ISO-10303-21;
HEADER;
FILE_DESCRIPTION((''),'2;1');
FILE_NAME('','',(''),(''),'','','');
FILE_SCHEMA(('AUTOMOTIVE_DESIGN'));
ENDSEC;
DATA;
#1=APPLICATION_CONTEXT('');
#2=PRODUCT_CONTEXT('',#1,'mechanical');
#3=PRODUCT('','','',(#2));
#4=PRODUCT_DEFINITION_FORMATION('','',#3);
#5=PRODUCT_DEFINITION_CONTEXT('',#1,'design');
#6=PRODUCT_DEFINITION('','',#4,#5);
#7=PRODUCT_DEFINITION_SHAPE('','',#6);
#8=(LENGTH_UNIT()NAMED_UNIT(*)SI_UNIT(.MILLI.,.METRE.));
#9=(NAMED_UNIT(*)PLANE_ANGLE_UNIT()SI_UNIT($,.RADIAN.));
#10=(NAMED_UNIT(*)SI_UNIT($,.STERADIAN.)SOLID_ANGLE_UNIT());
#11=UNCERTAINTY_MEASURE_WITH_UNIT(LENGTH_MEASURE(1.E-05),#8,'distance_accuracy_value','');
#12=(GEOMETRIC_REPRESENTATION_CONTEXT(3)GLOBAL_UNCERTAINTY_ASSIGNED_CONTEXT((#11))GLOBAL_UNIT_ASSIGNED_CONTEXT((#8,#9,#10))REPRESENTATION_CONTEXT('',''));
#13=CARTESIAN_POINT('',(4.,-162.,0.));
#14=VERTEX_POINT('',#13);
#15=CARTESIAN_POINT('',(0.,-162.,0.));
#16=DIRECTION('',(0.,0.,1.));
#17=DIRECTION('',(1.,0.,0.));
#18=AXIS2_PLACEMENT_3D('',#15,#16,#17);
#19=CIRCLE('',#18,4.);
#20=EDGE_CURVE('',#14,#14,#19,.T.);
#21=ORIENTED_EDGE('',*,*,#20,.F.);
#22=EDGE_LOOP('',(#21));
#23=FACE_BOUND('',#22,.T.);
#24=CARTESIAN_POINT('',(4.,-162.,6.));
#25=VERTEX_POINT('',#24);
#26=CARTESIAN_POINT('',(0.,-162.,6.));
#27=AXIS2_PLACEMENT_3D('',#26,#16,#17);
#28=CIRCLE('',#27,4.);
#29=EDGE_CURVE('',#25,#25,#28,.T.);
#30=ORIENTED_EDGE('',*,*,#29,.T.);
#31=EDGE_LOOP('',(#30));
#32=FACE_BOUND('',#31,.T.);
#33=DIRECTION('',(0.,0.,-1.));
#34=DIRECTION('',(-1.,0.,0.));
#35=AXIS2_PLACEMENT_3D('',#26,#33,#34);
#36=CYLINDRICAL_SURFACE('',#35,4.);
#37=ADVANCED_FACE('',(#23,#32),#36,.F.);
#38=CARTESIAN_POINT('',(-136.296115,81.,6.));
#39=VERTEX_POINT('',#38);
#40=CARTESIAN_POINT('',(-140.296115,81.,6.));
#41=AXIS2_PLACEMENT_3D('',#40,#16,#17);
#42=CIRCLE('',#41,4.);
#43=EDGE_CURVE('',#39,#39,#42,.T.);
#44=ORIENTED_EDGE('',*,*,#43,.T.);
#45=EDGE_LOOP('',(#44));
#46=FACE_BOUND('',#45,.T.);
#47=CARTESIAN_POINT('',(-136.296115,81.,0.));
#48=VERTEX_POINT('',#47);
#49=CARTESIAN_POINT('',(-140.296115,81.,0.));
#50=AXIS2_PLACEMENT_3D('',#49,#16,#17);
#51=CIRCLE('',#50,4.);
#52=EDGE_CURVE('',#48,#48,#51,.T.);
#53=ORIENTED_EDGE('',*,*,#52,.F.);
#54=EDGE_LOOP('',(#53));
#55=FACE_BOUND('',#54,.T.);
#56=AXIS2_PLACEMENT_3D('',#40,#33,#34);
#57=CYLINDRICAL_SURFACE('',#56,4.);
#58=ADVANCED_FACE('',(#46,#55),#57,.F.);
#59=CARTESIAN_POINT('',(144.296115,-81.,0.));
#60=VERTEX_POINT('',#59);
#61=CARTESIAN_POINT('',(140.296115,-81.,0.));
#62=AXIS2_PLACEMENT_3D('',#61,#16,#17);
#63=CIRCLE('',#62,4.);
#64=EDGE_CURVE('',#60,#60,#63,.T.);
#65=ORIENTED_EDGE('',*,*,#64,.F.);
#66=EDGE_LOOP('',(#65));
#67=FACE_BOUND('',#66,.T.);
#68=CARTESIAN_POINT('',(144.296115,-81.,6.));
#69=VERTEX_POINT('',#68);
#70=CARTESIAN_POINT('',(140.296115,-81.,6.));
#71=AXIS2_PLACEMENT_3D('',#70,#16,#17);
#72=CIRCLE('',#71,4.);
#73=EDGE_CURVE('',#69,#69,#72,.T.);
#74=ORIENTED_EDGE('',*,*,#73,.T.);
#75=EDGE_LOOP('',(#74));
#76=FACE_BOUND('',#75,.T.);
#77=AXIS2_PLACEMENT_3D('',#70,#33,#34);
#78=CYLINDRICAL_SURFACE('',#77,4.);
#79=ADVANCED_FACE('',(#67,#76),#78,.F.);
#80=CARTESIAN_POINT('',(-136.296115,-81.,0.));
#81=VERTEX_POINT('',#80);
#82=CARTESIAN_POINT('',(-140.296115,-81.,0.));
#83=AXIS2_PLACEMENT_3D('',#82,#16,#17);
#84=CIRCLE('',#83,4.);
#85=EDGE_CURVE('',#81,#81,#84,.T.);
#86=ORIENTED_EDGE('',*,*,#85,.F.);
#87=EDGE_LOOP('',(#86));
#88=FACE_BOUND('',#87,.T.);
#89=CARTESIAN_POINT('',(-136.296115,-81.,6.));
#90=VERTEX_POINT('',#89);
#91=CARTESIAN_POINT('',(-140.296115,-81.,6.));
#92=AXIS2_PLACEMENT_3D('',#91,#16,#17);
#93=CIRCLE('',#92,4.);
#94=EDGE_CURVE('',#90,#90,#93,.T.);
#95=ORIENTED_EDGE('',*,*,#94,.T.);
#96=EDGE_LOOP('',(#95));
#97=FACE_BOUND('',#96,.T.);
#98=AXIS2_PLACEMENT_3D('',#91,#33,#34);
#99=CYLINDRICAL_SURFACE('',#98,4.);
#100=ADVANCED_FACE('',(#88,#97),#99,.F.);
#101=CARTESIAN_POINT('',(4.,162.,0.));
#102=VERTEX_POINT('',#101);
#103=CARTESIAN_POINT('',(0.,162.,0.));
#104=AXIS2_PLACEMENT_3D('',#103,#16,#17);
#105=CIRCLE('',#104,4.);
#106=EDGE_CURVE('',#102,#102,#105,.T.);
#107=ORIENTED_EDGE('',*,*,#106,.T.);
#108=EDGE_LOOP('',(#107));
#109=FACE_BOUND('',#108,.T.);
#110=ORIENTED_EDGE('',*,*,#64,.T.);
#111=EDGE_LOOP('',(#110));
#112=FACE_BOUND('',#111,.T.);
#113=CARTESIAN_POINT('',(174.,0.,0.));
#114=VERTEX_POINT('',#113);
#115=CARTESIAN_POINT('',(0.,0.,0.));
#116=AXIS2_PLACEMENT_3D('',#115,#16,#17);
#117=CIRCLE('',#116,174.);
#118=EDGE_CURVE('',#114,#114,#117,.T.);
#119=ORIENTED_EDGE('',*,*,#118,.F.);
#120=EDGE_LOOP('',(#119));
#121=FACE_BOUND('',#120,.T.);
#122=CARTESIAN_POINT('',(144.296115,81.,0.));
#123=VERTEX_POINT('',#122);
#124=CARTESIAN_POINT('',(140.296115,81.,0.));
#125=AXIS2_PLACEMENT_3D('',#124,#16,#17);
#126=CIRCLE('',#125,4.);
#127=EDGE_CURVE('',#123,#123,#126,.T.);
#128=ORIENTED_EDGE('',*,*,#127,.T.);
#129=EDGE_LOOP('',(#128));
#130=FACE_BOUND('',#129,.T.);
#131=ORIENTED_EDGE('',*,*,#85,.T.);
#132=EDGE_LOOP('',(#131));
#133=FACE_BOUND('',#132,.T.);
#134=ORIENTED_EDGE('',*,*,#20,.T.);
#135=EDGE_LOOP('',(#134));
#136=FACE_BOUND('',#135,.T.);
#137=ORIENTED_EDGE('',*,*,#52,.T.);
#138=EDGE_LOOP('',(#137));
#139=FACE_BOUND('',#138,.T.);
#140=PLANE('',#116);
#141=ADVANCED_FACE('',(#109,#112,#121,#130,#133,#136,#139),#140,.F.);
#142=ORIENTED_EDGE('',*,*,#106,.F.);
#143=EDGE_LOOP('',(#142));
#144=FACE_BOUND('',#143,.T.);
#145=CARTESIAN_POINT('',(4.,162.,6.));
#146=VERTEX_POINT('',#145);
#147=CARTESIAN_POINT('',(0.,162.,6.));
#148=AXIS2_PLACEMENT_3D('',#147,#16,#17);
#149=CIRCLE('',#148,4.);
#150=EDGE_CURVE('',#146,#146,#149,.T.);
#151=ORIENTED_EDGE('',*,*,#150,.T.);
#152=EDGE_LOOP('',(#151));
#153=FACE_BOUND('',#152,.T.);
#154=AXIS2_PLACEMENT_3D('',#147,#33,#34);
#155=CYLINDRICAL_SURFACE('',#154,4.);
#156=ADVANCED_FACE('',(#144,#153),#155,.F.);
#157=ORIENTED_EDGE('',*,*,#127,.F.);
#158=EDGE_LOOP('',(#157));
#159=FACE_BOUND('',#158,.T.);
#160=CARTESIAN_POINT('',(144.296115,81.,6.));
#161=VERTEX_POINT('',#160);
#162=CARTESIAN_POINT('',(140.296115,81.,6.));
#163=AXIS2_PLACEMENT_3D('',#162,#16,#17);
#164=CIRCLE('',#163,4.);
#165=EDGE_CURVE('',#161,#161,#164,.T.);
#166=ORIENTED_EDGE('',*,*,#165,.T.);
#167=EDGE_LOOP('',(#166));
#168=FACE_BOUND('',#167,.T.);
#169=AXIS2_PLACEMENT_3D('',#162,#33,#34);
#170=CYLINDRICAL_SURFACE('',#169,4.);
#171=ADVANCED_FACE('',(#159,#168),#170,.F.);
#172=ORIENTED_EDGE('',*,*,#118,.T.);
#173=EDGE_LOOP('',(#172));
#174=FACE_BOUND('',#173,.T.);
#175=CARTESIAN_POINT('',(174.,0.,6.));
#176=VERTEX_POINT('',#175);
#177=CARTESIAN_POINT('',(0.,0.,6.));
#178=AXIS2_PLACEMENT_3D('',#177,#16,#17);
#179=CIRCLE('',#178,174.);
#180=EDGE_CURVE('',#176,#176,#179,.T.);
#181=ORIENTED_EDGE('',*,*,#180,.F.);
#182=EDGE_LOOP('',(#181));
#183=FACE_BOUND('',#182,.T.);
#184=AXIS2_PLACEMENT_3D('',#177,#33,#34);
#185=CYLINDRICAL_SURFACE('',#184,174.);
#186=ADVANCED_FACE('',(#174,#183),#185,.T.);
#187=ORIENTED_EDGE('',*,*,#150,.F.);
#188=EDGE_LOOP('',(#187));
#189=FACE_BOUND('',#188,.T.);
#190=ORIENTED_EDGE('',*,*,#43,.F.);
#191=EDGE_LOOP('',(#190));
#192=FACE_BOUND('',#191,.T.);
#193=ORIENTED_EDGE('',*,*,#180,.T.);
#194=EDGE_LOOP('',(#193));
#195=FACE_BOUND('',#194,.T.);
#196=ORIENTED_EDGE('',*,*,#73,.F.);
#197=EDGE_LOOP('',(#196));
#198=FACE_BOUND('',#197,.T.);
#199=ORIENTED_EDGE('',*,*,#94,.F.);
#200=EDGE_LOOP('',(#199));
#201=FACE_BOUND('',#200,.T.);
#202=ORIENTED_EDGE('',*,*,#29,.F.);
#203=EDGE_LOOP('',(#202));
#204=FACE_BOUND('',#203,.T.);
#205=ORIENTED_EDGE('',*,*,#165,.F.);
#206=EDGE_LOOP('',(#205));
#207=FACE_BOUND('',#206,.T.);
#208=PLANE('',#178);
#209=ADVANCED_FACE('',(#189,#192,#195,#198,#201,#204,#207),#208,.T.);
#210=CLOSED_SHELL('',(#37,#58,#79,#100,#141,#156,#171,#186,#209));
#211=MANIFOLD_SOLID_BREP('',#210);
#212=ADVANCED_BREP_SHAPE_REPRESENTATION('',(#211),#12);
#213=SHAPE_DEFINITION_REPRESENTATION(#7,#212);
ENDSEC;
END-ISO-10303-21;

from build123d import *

# Parameters (mm, degrees)
SKETCH1_R           = 174
SKETCH1_R_2         = 4
BOSS_EXTRUDE1_DEPTH = 6


with BuildPart() as part:
    # Sketch1 → Boss-Extrude1 (new body)
    with BuildSketch(Plane.XY):
        Circle(SKETCH1_R)
        with Locations((0, 162)):
            Circle(SKETCH1_R_2, mode=Mode.SUBTRACT)
        with Locations((140.296115413, 81)):
            Circle(SKETCH1_R_2, mode=Mode.SUBTRACT)
        with Locations((140.296115413, -81)):
            Circle(SKETCH1_R_2, mode=Mode.SUBTRACT)
        with Locations((0, -162)):
            Circle(SKETCH1_R_2, mode=Mode.SUBTRACT)
        with Locations((-140.296115413, -81)):
            Circle(SKETCH1_R_2, mode=Mode.SUBTRACT)
        with Locations((-140.296115413, 81)):
            Circle(SKETCH1_R_2, mode=Mode.SUBTRACT)
    extrude(amount=BOSS_EXTRUDE1_DEPTH)


solid = part.part
